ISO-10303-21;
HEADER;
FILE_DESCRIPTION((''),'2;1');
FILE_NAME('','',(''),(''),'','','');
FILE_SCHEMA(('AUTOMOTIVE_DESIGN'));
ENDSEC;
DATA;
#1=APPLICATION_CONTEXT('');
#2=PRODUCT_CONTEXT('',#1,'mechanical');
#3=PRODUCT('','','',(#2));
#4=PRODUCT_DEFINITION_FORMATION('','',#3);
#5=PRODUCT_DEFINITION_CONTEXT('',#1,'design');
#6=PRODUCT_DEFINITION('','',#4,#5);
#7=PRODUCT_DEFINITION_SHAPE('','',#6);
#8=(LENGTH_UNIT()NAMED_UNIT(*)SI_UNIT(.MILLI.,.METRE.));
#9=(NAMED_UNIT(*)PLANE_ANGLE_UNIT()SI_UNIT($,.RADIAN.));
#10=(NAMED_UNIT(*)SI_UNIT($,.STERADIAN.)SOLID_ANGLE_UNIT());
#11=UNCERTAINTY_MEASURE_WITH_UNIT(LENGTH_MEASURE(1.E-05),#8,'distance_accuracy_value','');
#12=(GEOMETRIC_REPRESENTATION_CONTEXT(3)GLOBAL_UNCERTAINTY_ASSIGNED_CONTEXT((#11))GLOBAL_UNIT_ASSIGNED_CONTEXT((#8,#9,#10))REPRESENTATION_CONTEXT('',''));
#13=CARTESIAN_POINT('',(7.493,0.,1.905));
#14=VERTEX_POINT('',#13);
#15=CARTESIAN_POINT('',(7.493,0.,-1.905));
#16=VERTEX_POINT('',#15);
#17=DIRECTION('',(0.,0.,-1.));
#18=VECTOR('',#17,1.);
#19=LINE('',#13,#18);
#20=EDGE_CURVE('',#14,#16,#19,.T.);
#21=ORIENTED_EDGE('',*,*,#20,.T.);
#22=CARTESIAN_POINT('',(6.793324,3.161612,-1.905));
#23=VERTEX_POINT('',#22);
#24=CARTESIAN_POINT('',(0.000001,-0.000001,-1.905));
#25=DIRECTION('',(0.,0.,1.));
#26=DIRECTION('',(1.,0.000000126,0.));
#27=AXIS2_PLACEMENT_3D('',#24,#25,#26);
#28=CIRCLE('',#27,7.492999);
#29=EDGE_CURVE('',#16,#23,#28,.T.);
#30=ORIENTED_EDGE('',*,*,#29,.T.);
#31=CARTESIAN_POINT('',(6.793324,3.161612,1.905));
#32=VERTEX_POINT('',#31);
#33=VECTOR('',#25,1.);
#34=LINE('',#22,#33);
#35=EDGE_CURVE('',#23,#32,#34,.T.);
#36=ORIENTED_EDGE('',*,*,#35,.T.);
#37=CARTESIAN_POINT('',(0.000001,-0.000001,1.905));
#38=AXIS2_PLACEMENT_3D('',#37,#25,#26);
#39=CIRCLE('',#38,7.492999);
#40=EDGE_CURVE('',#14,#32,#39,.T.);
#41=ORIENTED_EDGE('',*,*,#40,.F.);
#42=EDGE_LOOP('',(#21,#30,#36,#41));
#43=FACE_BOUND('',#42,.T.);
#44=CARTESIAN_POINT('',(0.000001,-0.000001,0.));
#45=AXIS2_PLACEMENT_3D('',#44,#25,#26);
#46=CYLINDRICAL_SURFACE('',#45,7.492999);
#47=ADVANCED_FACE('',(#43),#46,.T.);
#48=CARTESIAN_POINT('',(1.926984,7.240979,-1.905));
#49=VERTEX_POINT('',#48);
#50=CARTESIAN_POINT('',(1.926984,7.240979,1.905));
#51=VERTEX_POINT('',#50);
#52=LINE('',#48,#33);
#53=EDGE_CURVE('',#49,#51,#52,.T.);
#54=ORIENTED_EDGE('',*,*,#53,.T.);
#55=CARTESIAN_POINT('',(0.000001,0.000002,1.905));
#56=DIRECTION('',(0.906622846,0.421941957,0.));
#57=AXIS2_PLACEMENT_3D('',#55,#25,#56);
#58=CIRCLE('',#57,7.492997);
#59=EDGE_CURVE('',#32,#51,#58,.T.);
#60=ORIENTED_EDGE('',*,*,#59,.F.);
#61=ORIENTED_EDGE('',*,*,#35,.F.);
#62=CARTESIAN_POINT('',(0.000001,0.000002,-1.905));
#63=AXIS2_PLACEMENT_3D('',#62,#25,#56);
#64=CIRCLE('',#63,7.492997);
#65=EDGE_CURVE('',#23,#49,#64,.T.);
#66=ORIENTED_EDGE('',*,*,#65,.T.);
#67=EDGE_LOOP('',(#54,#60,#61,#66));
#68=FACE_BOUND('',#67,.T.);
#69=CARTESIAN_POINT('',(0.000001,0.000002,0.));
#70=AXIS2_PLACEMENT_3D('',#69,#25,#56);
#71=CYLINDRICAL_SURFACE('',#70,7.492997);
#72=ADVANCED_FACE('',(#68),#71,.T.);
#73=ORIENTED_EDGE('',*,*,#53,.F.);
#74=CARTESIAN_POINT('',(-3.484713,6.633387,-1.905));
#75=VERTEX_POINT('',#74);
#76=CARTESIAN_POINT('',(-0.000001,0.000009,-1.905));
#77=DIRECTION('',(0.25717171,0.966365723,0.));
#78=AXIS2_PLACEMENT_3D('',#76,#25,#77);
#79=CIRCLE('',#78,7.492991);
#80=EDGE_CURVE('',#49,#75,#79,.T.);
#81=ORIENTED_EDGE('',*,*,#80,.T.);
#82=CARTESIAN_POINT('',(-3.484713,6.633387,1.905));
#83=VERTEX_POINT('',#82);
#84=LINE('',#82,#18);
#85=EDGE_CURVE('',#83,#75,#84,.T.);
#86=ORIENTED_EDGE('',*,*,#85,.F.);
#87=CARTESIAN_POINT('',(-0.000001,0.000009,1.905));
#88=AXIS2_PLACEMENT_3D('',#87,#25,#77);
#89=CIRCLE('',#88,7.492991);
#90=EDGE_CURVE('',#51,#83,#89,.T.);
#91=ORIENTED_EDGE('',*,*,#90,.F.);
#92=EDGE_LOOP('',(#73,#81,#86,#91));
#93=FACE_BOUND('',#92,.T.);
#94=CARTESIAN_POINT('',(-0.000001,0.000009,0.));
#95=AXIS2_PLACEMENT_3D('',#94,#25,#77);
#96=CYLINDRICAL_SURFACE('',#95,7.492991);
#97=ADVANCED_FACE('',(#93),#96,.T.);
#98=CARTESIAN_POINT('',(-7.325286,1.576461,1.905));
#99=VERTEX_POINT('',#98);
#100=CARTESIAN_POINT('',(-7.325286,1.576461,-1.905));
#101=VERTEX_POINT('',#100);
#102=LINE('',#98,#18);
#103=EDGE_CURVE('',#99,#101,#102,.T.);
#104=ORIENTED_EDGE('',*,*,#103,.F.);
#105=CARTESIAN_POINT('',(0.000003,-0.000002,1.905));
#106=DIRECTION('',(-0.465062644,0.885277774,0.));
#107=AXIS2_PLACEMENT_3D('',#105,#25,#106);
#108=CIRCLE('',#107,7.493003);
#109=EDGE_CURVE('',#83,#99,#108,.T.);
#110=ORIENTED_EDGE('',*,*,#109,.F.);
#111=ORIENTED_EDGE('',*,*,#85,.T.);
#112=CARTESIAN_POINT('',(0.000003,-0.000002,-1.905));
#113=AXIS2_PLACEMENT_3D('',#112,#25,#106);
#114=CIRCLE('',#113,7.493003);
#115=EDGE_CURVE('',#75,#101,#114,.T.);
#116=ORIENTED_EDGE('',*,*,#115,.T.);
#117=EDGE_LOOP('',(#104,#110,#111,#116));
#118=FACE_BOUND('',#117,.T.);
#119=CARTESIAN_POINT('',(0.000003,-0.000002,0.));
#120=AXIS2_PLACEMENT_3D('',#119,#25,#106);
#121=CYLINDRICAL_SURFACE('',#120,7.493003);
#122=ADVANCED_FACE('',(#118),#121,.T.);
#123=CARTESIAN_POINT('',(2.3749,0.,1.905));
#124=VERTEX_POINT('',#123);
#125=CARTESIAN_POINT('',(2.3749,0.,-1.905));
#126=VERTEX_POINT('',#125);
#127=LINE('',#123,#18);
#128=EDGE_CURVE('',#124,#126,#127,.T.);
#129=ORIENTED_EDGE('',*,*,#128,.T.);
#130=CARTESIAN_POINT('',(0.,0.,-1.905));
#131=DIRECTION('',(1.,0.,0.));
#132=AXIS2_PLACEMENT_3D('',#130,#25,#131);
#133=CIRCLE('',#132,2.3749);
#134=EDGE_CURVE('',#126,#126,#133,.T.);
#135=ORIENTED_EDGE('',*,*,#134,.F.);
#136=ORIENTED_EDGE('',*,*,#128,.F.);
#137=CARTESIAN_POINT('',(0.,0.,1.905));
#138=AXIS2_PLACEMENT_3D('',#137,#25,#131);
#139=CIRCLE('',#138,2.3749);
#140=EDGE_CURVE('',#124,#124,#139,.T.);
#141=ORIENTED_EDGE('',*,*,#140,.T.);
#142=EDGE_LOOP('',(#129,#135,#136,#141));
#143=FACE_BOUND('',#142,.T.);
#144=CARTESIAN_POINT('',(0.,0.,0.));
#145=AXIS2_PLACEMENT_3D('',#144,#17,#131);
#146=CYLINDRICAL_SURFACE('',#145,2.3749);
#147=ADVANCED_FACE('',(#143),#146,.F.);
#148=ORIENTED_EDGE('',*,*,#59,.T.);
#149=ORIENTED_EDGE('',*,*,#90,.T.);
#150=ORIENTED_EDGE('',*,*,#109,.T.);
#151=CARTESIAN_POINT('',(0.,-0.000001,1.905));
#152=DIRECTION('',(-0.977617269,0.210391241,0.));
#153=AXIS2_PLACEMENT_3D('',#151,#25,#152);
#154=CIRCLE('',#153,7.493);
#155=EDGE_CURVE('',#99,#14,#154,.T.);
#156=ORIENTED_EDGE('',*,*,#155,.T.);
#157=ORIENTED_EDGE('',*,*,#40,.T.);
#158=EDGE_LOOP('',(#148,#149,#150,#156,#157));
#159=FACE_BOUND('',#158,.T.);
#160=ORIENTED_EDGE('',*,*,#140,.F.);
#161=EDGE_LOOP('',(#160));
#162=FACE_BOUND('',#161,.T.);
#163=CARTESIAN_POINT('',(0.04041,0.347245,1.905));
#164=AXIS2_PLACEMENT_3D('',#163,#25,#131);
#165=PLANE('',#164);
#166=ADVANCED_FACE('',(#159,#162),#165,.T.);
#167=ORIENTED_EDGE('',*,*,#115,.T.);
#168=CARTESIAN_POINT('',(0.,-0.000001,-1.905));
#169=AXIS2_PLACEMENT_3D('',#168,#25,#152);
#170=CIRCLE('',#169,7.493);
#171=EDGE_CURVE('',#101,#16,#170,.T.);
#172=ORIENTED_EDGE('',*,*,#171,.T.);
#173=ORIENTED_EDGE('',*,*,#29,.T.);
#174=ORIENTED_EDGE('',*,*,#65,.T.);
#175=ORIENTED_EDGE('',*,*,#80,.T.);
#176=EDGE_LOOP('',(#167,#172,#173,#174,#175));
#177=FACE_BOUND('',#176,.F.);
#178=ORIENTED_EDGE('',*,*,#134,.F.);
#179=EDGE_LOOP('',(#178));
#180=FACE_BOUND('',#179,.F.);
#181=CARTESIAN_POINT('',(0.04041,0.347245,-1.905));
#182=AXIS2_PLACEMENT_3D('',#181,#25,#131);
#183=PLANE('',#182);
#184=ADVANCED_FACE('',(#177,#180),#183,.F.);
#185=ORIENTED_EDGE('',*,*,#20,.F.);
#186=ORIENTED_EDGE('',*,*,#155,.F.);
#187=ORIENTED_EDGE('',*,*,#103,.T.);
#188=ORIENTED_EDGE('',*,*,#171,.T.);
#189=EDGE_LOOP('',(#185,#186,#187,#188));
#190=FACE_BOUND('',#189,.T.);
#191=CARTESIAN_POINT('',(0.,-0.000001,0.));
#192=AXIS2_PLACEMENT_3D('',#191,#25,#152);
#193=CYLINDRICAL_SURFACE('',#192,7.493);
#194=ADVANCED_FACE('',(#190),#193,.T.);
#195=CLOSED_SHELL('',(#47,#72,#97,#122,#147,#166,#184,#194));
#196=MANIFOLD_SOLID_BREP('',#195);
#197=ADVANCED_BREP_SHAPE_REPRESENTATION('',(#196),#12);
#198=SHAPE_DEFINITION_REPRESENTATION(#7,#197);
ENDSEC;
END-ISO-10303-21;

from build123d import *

# Parameters (mm, degrees)
F0_R     = 2.3749
F1_DEPTH = 1.905


with BuildPart() as f1:
    # F0 (on Top) → F1 (new body, symmetric)
    with BuildSketch(Plane.XY):
        with BuildLine():
            ThreePointArc((7.493, 0), (7.31599, 1.619054), (6.793324, 3.161612))
            ThreePointArc((6.793324, 3.161612), (4.813653, 5.742281), (1.926984, 7.240979))
            ThreePointArc((1.926984, 7.240979), (-0.836016, 7.446216), (-3.484713, 6.633387))
            ThreePointArc((-3.484713, 6.633387), (-5.967172, 4.531876), (-7.325286, 1.576461))
            ThreePointArc((-7.325286, 1.576461), (-0.792679, -7.450954), (7.493, 0))
        make_face()
        Circle(F0_R, mode=Mode.SUBTRACT)
    extrude(amount=F1_DEPTH, both=True)


solid = f1.part
